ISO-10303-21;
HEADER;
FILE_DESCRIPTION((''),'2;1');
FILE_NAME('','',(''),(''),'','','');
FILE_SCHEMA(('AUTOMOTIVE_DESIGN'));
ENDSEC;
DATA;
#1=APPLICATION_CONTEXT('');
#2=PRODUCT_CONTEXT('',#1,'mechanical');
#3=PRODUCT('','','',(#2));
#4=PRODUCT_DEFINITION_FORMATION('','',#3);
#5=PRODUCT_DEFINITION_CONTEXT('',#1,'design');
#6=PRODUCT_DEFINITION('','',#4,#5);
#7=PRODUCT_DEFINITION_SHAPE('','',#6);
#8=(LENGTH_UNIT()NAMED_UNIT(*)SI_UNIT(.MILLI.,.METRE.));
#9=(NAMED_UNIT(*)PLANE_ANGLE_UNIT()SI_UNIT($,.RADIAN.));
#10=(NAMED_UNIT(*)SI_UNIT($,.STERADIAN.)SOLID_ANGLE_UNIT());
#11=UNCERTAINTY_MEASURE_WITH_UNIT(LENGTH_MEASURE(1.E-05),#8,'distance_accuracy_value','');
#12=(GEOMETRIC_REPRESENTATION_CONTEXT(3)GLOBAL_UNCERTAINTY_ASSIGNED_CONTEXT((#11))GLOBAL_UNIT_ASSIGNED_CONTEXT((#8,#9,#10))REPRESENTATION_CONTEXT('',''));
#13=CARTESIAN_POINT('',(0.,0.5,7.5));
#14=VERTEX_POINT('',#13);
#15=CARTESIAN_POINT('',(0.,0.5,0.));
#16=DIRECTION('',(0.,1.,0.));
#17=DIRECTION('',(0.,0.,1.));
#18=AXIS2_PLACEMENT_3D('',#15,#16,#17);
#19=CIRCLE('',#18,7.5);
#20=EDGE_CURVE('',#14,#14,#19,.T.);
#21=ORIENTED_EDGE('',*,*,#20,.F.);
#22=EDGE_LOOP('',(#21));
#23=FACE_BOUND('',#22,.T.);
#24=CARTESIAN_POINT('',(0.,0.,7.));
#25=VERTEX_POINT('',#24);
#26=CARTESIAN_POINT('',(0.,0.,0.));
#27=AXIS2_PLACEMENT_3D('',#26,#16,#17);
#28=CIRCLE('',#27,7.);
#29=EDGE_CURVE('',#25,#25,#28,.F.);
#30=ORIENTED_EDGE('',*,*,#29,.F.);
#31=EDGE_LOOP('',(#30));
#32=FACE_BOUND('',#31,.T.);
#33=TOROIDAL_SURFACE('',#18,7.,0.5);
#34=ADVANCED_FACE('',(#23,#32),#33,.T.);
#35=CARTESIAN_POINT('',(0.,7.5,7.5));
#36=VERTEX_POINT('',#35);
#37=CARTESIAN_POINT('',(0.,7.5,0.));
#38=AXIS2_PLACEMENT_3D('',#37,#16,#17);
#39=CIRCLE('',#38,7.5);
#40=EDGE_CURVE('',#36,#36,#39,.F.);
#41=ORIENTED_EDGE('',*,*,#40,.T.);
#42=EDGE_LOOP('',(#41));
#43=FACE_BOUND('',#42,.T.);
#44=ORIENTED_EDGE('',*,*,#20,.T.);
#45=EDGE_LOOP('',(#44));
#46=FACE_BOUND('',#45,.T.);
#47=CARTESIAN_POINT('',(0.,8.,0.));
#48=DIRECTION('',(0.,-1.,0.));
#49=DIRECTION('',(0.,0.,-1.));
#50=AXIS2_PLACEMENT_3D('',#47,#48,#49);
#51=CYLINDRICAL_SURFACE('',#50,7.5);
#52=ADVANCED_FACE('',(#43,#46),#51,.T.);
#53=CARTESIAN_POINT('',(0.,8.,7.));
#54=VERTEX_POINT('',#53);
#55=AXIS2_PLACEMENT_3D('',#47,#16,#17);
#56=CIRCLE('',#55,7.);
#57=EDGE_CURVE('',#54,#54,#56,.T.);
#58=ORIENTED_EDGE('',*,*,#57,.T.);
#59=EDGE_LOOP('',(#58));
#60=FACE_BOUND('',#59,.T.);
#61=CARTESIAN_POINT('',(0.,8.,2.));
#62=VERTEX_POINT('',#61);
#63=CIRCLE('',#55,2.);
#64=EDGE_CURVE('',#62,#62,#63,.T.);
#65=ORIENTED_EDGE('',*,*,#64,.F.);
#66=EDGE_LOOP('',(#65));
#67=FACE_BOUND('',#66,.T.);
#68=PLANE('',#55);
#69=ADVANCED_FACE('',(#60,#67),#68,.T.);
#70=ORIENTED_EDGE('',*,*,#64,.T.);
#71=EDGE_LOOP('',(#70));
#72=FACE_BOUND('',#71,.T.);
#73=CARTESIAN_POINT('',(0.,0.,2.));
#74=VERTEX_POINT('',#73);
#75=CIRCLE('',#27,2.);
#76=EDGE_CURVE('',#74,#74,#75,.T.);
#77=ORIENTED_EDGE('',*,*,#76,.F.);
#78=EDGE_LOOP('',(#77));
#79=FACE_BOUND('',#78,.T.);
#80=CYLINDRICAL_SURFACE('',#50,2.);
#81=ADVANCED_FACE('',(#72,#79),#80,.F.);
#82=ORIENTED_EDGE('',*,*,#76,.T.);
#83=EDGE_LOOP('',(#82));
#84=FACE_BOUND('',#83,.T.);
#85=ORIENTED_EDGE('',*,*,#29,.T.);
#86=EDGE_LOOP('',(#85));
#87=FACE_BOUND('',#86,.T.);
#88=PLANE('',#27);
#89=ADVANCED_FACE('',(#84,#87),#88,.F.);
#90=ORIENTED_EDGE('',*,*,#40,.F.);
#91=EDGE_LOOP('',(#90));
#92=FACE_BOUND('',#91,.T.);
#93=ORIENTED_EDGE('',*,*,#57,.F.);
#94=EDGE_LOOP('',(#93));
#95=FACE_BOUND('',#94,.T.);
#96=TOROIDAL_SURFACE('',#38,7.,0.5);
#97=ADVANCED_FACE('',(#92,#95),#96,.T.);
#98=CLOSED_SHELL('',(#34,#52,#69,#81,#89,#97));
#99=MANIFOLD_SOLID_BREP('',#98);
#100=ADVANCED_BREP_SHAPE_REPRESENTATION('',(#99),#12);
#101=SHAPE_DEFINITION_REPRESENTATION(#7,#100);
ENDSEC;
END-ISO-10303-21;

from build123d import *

# Parameters (mm, degrees)
SKETCH1_R           = 7.5
SKETCH1_R_2         = 2
BOSS_EXTRUDE1_DEPTH = 8
FILLET1_R           = 0.5


with BuildPart() as part:
    # Sketch1 → Boss-Extrude1 (new body)
    with BuildSketch(Plane(origin=(0, 0, 0), x_dir=(1, 0, 0), z_dir=(0, 1, 0))):
        with Locations(Location((0, 0, 0), (0, 0, 270))):
            Circle(SKETCH1_R)
        with Locations(Location((0, 0, 0), (0, 0, 270))):
            Circle(SKETCH1_R_2, mode=Mode.SUBTRACT)
    extrude(amount=BOSS_EXTRUDE1_DEPTH)

    # Fillet1
    fillet1_edges = [part.edges().sort_by_distance(p)[0] for p in [
        (0, 0, -7.5),
        (0, 8, -7.5),
    ]]
    fillet(fillet1_edges, radius=FILLET1_R)


solid = part.part
